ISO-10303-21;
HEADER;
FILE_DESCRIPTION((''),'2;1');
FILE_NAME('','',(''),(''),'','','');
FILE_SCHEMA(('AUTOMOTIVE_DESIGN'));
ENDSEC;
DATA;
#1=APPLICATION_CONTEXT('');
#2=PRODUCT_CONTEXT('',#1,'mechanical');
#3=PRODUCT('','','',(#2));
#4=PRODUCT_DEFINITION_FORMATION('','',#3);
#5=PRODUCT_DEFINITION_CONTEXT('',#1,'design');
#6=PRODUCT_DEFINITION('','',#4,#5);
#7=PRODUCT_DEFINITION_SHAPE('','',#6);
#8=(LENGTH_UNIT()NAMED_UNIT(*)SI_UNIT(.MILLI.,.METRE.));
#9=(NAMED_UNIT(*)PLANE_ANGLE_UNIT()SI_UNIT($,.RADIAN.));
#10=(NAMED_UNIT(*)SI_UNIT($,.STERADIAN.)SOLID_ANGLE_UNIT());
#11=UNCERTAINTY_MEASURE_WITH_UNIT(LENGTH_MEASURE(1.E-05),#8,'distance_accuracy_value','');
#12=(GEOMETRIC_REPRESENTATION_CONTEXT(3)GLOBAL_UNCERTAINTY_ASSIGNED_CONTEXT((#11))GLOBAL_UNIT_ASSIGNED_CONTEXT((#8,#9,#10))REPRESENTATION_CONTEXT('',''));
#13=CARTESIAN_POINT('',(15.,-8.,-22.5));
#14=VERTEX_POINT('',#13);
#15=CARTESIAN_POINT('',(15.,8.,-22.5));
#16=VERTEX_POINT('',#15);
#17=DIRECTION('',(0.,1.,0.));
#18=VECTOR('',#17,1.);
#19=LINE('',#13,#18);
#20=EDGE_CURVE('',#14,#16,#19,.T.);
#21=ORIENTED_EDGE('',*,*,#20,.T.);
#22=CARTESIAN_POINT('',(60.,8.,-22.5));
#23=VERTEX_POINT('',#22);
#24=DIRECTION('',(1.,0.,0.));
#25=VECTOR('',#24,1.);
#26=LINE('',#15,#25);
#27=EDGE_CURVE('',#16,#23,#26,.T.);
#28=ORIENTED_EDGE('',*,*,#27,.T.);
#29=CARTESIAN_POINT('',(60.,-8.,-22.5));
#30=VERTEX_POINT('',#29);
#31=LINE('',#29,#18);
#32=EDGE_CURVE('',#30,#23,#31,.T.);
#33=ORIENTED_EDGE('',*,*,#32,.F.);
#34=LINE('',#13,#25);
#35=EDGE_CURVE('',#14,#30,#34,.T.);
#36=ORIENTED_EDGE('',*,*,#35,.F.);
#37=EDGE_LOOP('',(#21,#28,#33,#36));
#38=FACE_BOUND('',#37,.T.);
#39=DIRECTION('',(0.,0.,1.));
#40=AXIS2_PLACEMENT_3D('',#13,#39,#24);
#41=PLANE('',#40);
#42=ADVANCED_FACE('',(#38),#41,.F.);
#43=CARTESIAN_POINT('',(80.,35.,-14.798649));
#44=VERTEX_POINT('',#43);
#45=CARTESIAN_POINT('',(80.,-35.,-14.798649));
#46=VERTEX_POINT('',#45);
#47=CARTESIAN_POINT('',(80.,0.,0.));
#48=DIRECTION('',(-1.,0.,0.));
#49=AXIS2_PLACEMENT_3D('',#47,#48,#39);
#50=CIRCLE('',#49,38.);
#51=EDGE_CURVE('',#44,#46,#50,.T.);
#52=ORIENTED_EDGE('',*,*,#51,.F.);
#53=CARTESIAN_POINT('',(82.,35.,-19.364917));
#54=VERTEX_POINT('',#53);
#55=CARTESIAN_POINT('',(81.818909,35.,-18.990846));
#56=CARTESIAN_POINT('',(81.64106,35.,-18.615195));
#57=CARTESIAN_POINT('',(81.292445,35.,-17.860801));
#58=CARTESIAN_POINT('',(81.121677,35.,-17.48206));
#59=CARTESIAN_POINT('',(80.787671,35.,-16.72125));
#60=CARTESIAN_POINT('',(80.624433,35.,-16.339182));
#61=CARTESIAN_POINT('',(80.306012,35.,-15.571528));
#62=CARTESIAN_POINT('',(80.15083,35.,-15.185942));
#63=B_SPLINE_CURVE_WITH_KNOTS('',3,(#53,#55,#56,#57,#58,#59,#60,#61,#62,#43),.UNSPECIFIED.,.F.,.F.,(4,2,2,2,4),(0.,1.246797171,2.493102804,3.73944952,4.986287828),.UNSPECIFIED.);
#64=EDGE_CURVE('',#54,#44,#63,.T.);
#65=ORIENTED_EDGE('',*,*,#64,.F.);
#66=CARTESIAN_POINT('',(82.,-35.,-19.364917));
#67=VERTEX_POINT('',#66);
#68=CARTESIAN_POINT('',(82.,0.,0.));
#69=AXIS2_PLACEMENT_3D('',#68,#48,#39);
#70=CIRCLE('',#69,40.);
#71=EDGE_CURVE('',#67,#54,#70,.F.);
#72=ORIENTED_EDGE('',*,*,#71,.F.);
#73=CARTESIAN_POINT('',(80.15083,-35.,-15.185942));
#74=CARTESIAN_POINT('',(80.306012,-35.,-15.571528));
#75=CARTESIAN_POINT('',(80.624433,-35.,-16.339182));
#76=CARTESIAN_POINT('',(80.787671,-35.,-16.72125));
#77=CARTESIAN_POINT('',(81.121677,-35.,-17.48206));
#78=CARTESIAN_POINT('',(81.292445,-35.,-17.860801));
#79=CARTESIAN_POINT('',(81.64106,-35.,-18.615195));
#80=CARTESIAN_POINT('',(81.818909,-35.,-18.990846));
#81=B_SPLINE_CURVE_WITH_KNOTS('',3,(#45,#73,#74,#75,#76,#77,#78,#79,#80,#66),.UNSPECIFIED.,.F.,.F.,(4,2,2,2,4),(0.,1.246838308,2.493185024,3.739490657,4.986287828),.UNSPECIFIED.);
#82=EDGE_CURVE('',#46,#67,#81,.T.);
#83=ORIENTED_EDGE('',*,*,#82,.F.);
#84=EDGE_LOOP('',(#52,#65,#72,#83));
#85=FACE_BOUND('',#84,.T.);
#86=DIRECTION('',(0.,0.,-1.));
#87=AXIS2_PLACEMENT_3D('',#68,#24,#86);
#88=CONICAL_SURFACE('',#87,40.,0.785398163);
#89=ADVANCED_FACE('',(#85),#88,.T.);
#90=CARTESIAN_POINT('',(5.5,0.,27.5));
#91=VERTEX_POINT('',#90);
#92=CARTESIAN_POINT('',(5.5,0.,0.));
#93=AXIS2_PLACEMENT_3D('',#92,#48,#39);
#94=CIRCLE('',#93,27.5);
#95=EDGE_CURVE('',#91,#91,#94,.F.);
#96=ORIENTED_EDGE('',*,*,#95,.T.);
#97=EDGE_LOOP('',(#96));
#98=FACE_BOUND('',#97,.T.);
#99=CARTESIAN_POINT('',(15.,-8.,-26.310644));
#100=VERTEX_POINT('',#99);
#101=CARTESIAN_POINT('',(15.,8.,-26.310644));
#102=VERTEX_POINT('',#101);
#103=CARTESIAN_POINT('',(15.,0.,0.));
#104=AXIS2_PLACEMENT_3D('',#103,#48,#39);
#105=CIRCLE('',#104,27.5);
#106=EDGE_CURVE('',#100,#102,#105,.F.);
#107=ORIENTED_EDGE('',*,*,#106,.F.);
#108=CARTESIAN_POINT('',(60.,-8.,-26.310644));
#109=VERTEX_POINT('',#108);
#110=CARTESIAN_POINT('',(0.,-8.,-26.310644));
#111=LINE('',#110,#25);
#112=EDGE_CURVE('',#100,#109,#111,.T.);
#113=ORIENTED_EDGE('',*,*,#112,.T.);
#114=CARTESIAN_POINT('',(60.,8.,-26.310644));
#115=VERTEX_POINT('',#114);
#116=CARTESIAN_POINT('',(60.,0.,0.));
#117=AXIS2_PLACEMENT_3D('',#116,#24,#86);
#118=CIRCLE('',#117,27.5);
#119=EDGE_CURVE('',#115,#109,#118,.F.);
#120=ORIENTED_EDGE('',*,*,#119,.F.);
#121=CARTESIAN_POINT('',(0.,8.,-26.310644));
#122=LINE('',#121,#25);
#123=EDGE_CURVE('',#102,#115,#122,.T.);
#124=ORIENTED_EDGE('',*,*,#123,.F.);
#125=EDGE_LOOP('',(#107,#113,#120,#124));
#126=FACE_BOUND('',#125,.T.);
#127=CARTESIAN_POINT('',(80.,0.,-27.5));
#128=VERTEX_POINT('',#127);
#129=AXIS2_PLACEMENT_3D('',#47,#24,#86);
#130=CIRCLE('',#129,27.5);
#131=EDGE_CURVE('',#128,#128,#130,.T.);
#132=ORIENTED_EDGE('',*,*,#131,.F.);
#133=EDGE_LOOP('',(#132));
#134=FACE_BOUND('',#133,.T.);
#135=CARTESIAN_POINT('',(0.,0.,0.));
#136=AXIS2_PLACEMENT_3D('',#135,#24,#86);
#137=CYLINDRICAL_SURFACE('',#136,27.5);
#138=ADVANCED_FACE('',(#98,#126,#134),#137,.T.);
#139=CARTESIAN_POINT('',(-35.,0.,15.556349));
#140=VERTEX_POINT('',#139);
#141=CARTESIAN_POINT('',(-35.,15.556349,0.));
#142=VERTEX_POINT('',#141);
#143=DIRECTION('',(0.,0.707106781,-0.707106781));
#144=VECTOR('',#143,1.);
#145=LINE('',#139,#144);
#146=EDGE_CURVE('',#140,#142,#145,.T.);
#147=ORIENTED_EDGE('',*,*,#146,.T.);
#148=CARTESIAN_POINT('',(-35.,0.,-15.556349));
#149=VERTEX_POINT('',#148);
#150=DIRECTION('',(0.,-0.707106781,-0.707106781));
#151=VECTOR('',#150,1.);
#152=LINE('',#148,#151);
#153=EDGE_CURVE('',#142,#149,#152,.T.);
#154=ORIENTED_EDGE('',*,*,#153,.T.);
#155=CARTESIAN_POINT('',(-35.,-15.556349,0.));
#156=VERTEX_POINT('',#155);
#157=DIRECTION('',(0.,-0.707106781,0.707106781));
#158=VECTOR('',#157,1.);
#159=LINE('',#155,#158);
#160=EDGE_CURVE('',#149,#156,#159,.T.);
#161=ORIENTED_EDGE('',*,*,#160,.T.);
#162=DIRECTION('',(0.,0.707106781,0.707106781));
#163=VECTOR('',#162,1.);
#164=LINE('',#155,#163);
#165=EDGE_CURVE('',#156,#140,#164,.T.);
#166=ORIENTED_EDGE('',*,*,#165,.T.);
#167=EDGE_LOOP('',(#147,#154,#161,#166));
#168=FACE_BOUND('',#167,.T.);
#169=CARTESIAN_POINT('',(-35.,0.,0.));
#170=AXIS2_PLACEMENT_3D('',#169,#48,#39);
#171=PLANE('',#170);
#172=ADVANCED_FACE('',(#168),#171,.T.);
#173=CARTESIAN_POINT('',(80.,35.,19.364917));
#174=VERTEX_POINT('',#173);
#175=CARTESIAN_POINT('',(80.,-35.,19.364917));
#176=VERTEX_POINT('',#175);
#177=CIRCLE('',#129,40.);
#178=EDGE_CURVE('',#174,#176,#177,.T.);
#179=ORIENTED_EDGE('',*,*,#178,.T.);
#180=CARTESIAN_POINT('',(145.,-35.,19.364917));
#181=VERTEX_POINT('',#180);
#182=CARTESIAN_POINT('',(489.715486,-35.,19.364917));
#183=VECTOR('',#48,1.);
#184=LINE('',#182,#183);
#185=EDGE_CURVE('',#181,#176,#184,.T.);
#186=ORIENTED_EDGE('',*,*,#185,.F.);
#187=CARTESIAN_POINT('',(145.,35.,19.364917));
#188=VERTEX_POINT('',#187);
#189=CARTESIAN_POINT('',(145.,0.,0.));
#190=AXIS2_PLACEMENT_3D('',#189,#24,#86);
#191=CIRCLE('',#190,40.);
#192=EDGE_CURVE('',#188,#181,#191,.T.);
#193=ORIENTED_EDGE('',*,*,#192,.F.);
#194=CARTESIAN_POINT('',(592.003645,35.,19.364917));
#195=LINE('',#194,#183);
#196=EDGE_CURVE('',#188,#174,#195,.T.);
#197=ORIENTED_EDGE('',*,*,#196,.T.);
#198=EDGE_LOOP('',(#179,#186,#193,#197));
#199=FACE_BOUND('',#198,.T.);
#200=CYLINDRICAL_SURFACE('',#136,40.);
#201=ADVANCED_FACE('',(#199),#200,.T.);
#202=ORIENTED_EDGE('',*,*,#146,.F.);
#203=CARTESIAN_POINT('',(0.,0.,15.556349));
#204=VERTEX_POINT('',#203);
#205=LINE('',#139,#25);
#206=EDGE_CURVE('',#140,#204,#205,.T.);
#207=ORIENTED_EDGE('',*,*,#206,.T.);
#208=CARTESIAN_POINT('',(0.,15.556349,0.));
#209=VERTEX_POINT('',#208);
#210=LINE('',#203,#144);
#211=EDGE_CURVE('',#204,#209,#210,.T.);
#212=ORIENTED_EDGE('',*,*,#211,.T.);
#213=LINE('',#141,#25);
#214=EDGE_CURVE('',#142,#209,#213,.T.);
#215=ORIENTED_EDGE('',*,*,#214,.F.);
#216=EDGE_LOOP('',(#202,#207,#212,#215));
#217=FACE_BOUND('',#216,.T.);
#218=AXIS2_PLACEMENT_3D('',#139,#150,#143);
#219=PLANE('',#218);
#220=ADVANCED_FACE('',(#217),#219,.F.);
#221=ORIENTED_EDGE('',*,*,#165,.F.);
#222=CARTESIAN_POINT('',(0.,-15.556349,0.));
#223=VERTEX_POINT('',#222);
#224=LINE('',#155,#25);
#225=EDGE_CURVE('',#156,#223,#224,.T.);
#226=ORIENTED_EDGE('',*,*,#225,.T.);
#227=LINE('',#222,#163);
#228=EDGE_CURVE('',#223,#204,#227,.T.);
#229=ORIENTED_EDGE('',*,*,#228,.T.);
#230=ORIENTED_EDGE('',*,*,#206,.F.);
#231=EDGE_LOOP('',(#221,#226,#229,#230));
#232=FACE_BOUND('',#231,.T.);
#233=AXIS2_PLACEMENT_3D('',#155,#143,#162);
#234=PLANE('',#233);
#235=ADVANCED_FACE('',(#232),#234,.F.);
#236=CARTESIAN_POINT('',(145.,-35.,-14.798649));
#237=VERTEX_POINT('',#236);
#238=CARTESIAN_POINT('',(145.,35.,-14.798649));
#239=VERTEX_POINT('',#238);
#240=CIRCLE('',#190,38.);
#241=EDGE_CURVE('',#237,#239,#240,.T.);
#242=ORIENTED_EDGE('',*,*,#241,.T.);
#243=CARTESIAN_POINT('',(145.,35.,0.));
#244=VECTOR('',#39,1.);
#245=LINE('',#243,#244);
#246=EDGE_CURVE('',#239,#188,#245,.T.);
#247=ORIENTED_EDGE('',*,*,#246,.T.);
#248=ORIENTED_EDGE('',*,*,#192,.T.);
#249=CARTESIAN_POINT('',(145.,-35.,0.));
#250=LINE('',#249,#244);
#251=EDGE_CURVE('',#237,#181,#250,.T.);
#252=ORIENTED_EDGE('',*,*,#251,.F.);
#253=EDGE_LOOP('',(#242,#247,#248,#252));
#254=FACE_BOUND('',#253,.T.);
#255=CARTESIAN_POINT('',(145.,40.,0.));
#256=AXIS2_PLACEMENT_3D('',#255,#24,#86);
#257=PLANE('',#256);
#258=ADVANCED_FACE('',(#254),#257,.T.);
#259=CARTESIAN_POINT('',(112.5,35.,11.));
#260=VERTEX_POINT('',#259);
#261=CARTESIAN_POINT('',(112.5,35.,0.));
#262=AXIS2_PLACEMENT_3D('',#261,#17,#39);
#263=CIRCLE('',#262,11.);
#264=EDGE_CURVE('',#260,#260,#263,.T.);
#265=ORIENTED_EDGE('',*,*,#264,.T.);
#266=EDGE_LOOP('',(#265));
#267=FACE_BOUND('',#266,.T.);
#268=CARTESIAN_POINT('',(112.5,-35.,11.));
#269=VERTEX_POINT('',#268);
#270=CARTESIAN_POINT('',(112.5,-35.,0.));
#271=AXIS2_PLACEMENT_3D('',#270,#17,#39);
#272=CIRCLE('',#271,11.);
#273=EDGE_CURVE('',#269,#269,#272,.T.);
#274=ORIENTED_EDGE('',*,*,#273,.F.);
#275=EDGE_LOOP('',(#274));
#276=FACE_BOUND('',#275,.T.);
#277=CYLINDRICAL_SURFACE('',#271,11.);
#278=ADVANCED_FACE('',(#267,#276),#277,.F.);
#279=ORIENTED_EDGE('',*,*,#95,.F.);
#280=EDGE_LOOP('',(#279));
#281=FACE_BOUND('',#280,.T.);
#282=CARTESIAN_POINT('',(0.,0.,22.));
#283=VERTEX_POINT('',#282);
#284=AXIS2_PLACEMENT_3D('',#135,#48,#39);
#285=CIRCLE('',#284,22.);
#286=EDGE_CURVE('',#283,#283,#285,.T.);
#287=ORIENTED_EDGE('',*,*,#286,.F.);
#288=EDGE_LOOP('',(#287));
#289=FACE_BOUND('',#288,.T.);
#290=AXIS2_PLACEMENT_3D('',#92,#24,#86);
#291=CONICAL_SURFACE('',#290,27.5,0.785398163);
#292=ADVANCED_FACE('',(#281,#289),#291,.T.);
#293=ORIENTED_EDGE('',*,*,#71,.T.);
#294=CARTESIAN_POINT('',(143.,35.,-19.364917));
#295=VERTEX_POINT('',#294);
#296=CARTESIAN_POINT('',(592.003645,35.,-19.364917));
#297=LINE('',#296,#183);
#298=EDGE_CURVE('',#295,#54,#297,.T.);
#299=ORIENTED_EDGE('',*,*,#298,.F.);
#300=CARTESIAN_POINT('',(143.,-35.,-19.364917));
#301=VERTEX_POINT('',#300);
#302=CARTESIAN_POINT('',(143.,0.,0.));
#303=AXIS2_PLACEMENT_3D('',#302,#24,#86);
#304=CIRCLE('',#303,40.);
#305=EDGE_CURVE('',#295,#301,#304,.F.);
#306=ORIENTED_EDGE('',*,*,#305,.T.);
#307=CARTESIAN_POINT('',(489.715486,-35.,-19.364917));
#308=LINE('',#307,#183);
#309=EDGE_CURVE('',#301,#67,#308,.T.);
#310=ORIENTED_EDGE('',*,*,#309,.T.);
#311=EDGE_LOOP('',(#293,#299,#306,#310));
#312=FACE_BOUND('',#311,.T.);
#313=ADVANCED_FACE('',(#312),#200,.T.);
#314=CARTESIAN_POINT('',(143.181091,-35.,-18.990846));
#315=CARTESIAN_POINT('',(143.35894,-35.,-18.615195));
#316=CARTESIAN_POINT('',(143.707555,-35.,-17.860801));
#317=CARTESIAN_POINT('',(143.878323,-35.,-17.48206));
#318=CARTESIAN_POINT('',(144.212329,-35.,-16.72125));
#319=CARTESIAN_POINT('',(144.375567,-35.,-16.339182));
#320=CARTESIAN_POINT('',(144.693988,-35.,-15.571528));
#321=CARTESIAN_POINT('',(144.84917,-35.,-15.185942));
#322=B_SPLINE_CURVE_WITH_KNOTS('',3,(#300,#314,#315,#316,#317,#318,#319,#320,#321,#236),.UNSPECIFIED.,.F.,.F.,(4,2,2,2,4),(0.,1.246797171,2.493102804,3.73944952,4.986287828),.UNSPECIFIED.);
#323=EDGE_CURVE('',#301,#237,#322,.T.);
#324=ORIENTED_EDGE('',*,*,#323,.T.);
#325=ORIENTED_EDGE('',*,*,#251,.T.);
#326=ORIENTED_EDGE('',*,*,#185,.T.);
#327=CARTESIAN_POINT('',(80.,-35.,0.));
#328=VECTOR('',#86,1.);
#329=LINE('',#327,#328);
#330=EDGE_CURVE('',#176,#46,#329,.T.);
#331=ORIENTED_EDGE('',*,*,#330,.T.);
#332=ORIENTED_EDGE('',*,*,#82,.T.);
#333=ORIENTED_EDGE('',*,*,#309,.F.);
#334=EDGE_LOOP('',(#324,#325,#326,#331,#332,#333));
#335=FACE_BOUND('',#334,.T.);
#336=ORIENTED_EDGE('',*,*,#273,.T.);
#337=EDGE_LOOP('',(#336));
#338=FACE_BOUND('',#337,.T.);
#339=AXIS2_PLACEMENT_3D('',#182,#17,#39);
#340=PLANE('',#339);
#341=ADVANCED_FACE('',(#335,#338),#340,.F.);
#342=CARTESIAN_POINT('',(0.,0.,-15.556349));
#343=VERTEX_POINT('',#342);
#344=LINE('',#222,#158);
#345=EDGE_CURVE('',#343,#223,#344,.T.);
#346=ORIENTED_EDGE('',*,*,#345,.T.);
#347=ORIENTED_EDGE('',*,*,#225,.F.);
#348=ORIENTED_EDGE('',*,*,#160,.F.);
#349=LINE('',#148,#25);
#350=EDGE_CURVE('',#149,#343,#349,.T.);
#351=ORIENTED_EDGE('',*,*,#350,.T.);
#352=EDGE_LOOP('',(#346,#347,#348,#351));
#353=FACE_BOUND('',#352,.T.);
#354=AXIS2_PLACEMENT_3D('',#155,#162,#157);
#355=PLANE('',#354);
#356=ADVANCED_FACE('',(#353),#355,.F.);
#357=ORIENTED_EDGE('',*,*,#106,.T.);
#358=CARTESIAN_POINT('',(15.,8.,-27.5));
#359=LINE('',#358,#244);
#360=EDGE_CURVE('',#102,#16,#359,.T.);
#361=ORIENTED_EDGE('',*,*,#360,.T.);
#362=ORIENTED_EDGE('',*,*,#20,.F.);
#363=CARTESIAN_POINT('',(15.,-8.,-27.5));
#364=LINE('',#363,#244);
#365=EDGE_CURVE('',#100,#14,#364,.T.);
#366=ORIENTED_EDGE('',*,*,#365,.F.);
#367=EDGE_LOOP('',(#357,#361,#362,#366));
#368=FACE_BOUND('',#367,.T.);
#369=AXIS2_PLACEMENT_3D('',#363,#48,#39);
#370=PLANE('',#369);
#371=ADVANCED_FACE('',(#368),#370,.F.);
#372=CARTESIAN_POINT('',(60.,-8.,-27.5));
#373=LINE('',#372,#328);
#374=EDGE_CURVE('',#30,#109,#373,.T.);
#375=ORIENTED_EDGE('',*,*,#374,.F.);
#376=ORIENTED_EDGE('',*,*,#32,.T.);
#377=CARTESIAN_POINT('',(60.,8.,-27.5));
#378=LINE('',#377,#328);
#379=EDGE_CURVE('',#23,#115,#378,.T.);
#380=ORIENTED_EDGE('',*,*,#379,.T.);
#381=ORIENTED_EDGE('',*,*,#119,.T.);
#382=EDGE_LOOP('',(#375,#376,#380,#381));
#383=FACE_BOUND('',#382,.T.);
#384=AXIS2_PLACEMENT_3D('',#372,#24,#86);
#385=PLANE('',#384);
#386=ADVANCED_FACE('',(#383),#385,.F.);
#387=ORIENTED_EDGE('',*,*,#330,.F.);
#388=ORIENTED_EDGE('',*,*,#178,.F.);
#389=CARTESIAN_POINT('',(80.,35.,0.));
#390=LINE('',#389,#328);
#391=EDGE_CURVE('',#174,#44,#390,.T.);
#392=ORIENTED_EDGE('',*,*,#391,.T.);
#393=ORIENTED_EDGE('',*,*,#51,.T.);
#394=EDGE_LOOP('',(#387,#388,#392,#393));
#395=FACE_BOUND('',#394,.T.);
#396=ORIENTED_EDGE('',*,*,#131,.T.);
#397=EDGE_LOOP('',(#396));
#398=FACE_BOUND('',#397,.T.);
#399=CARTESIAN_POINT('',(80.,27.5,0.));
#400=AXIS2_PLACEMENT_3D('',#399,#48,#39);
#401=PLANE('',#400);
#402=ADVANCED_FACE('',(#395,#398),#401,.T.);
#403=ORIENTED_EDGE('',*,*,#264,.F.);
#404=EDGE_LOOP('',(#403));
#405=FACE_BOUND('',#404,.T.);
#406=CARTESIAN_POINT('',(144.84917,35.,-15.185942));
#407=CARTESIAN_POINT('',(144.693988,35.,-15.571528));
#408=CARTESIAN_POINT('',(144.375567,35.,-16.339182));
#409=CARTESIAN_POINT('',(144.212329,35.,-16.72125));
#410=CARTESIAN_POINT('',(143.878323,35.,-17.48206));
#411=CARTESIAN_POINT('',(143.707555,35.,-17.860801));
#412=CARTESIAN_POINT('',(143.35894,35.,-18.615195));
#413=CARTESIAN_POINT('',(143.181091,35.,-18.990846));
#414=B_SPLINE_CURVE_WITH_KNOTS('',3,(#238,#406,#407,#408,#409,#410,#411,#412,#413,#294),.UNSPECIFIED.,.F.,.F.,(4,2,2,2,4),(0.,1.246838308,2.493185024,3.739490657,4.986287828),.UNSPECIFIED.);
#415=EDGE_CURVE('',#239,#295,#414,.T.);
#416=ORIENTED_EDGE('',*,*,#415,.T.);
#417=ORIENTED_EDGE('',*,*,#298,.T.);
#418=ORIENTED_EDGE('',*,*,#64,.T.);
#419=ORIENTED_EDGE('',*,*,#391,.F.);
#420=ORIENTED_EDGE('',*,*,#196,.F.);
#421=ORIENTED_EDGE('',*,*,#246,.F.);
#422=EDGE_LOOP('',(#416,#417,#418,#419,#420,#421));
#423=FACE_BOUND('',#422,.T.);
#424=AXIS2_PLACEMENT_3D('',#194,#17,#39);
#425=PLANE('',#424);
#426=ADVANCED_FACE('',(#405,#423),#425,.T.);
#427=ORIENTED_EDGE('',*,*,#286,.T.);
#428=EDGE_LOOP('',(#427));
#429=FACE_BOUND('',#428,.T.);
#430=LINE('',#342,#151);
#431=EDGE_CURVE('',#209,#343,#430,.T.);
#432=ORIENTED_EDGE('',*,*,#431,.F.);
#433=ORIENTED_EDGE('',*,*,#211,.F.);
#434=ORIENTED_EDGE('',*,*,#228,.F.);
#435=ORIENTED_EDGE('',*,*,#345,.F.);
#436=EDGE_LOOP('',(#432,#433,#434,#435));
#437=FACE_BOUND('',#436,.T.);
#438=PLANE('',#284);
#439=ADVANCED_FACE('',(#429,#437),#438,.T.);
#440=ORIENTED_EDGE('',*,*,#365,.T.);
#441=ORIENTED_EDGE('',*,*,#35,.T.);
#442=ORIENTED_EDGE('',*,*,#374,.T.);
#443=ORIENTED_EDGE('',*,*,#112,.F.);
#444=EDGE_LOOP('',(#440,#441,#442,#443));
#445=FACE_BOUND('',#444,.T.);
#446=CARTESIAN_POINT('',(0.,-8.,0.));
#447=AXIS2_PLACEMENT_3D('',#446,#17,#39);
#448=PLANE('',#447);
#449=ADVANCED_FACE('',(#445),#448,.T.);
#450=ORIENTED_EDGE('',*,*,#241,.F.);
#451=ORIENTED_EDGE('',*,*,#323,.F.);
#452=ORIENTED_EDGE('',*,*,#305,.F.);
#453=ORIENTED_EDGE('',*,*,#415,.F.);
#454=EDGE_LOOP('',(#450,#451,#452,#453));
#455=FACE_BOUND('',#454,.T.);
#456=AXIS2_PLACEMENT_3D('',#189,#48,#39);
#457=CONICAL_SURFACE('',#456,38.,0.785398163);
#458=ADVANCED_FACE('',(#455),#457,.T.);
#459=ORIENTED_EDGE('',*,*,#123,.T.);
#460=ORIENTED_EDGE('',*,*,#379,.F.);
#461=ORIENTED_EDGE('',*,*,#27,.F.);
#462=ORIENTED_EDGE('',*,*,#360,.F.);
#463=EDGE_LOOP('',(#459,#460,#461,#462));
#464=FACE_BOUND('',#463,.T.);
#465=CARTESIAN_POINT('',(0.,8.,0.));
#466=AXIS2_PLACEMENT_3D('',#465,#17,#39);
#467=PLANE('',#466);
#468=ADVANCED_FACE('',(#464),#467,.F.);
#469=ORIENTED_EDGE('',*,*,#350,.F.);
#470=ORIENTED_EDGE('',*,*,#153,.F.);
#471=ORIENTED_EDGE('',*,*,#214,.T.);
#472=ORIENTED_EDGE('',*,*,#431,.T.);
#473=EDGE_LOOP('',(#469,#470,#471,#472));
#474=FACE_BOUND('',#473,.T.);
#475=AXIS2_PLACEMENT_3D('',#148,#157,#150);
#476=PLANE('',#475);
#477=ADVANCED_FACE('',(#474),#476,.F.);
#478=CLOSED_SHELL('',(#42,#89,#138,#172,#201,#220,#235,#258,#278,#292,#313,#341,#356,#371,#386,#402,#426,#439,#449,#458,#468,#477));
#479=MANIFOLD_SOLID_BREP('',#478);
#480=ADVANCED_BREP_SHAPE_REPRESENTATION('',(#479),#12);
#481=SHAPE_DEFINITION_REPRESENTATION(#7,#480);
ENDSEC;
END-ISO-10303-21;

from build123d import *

# Parameters (mm, degrees)
EXTRUDE_1_DEPTH          = 35
SKETCH_4_W               = 45
SKETCH_4_H               = 5
CUT_EXTRUDE_1_DEPTH      = 8
CUT_EXTRUDE_2_DEPTH      = 189.679622641
CUT_EXTRUDE_3_DEPTH      = 166.90660023
CUT_EXTRUDE_3_DEPTH_BACK = 166.90660023
SKETCH_6_R               = 11
CHAMFER_1_SIZE           = 2
CHAMFER_2_SIZE           = 5.5


with BuildPart() as part:
    # Эскиз1 → Повернуть1 (revolve)
    with BuildSketch(Plane.XY, mode=Mode.PRIVATE) as revolve_1_sk:
        Polygon((0, 0), (0, 27.5), (80, 27.5), (80, 40), (145, 40), (145, 0), align=None)
    revolve(revolve_1_sk.sketch.rotate(Axis((0, 0, 0), (-1, 0, 0)), 90), axis=Axis((0, 0, 0), (-1, 0, 0)))

    # Эскиз3 → Бобышка-Вытянуть1 (add)
    with BuildSketch(Plane.ZY):
        Polygon((0, -15.556349186), (-15.556349186, 0), (0, 15.556349186), (15.556349186, 0), align=None)
    extrude(amount=EXTRUDE_1_DEPTH)

    # Эскиз4 → Вырез-Вытянуть1 (cut, symmetric)
    with BuildSketch(Plane(origin=(0, 0, 0), x_dir=(1, 0, 0), z_dir=(0, 1, 0))):
        with Locations((37.5, 25)):
            Rectangle(SKETCH_4_W, SKETCH_4_H)
    extrude(amount=CUT_EXTRUDE_1_DEPTH, both=True, mode=Mode.SUBTRACT)

    # Эскиз5 → Вырез-Вытянуть2 (cut, symmetric)
    with BuildSketch(Plane(origin=(145, 0, 0), x_dir=(0, 0, -1), z_dir=(1, 0, 0))):
        Polygon((-220.667748268, 35), (-19.364916731, 35), (19.364916731, 35), (220.667748268, 35), (220.667748268, 437.605663073), (-220.667748268, 437.605663073), align=None)
    cut_extrude_2 = extrude(amount=CUT_EXTRUDE_2_DEPTH, both=True, mode=Mode.SUBTRACT)

    # Зеркальное отражение1: Вырез-Вытянуть2 across plane
    add(cut_extrude_2.mirror(Plane.ZX), mode=Mode.SUBTRACT)

    # Эскиз6 → Вырез-Вытянуть3 (cut, two sides: drawn at the far end of the back side and taken through both)
    with BuildSketch(Plane(origin=(0, 35, 0), x_dir=(1, 0, 0), z_dir=(0, 1, 0)).offset(-CUT_EXTRUDE_3_DEPTH_BACK)):
        with Locations(Location((112.5, 0, 0), (0, 0, 270))):
            Circle(SKETCH_6_R)
    extrude(amount=CUT_EXTRUDE_3_DEPTH + CUT_EXTRUDE_3_DEPTH_BACK, mode=Mode.SUBTRACT)

    # Фаска1
    chamfer_1_edges = [part.edges().sort_by_distance(p)[0] for p in [
        (145, 0, -40),
        (80, 0, -40),
    ]]
    chamfer(chamfer_1_edges, length=CHAMFER_1_SIZE)

    # Фаска2
    chamfer_2_edges = [part.edges().sort_by_distance(p)[0] for p in [
        (0, 0, 27.5),
    ]]
    chamfer(chamfer_2_edges, length=CHAMFER_2_SIZE)


solid = part.part
